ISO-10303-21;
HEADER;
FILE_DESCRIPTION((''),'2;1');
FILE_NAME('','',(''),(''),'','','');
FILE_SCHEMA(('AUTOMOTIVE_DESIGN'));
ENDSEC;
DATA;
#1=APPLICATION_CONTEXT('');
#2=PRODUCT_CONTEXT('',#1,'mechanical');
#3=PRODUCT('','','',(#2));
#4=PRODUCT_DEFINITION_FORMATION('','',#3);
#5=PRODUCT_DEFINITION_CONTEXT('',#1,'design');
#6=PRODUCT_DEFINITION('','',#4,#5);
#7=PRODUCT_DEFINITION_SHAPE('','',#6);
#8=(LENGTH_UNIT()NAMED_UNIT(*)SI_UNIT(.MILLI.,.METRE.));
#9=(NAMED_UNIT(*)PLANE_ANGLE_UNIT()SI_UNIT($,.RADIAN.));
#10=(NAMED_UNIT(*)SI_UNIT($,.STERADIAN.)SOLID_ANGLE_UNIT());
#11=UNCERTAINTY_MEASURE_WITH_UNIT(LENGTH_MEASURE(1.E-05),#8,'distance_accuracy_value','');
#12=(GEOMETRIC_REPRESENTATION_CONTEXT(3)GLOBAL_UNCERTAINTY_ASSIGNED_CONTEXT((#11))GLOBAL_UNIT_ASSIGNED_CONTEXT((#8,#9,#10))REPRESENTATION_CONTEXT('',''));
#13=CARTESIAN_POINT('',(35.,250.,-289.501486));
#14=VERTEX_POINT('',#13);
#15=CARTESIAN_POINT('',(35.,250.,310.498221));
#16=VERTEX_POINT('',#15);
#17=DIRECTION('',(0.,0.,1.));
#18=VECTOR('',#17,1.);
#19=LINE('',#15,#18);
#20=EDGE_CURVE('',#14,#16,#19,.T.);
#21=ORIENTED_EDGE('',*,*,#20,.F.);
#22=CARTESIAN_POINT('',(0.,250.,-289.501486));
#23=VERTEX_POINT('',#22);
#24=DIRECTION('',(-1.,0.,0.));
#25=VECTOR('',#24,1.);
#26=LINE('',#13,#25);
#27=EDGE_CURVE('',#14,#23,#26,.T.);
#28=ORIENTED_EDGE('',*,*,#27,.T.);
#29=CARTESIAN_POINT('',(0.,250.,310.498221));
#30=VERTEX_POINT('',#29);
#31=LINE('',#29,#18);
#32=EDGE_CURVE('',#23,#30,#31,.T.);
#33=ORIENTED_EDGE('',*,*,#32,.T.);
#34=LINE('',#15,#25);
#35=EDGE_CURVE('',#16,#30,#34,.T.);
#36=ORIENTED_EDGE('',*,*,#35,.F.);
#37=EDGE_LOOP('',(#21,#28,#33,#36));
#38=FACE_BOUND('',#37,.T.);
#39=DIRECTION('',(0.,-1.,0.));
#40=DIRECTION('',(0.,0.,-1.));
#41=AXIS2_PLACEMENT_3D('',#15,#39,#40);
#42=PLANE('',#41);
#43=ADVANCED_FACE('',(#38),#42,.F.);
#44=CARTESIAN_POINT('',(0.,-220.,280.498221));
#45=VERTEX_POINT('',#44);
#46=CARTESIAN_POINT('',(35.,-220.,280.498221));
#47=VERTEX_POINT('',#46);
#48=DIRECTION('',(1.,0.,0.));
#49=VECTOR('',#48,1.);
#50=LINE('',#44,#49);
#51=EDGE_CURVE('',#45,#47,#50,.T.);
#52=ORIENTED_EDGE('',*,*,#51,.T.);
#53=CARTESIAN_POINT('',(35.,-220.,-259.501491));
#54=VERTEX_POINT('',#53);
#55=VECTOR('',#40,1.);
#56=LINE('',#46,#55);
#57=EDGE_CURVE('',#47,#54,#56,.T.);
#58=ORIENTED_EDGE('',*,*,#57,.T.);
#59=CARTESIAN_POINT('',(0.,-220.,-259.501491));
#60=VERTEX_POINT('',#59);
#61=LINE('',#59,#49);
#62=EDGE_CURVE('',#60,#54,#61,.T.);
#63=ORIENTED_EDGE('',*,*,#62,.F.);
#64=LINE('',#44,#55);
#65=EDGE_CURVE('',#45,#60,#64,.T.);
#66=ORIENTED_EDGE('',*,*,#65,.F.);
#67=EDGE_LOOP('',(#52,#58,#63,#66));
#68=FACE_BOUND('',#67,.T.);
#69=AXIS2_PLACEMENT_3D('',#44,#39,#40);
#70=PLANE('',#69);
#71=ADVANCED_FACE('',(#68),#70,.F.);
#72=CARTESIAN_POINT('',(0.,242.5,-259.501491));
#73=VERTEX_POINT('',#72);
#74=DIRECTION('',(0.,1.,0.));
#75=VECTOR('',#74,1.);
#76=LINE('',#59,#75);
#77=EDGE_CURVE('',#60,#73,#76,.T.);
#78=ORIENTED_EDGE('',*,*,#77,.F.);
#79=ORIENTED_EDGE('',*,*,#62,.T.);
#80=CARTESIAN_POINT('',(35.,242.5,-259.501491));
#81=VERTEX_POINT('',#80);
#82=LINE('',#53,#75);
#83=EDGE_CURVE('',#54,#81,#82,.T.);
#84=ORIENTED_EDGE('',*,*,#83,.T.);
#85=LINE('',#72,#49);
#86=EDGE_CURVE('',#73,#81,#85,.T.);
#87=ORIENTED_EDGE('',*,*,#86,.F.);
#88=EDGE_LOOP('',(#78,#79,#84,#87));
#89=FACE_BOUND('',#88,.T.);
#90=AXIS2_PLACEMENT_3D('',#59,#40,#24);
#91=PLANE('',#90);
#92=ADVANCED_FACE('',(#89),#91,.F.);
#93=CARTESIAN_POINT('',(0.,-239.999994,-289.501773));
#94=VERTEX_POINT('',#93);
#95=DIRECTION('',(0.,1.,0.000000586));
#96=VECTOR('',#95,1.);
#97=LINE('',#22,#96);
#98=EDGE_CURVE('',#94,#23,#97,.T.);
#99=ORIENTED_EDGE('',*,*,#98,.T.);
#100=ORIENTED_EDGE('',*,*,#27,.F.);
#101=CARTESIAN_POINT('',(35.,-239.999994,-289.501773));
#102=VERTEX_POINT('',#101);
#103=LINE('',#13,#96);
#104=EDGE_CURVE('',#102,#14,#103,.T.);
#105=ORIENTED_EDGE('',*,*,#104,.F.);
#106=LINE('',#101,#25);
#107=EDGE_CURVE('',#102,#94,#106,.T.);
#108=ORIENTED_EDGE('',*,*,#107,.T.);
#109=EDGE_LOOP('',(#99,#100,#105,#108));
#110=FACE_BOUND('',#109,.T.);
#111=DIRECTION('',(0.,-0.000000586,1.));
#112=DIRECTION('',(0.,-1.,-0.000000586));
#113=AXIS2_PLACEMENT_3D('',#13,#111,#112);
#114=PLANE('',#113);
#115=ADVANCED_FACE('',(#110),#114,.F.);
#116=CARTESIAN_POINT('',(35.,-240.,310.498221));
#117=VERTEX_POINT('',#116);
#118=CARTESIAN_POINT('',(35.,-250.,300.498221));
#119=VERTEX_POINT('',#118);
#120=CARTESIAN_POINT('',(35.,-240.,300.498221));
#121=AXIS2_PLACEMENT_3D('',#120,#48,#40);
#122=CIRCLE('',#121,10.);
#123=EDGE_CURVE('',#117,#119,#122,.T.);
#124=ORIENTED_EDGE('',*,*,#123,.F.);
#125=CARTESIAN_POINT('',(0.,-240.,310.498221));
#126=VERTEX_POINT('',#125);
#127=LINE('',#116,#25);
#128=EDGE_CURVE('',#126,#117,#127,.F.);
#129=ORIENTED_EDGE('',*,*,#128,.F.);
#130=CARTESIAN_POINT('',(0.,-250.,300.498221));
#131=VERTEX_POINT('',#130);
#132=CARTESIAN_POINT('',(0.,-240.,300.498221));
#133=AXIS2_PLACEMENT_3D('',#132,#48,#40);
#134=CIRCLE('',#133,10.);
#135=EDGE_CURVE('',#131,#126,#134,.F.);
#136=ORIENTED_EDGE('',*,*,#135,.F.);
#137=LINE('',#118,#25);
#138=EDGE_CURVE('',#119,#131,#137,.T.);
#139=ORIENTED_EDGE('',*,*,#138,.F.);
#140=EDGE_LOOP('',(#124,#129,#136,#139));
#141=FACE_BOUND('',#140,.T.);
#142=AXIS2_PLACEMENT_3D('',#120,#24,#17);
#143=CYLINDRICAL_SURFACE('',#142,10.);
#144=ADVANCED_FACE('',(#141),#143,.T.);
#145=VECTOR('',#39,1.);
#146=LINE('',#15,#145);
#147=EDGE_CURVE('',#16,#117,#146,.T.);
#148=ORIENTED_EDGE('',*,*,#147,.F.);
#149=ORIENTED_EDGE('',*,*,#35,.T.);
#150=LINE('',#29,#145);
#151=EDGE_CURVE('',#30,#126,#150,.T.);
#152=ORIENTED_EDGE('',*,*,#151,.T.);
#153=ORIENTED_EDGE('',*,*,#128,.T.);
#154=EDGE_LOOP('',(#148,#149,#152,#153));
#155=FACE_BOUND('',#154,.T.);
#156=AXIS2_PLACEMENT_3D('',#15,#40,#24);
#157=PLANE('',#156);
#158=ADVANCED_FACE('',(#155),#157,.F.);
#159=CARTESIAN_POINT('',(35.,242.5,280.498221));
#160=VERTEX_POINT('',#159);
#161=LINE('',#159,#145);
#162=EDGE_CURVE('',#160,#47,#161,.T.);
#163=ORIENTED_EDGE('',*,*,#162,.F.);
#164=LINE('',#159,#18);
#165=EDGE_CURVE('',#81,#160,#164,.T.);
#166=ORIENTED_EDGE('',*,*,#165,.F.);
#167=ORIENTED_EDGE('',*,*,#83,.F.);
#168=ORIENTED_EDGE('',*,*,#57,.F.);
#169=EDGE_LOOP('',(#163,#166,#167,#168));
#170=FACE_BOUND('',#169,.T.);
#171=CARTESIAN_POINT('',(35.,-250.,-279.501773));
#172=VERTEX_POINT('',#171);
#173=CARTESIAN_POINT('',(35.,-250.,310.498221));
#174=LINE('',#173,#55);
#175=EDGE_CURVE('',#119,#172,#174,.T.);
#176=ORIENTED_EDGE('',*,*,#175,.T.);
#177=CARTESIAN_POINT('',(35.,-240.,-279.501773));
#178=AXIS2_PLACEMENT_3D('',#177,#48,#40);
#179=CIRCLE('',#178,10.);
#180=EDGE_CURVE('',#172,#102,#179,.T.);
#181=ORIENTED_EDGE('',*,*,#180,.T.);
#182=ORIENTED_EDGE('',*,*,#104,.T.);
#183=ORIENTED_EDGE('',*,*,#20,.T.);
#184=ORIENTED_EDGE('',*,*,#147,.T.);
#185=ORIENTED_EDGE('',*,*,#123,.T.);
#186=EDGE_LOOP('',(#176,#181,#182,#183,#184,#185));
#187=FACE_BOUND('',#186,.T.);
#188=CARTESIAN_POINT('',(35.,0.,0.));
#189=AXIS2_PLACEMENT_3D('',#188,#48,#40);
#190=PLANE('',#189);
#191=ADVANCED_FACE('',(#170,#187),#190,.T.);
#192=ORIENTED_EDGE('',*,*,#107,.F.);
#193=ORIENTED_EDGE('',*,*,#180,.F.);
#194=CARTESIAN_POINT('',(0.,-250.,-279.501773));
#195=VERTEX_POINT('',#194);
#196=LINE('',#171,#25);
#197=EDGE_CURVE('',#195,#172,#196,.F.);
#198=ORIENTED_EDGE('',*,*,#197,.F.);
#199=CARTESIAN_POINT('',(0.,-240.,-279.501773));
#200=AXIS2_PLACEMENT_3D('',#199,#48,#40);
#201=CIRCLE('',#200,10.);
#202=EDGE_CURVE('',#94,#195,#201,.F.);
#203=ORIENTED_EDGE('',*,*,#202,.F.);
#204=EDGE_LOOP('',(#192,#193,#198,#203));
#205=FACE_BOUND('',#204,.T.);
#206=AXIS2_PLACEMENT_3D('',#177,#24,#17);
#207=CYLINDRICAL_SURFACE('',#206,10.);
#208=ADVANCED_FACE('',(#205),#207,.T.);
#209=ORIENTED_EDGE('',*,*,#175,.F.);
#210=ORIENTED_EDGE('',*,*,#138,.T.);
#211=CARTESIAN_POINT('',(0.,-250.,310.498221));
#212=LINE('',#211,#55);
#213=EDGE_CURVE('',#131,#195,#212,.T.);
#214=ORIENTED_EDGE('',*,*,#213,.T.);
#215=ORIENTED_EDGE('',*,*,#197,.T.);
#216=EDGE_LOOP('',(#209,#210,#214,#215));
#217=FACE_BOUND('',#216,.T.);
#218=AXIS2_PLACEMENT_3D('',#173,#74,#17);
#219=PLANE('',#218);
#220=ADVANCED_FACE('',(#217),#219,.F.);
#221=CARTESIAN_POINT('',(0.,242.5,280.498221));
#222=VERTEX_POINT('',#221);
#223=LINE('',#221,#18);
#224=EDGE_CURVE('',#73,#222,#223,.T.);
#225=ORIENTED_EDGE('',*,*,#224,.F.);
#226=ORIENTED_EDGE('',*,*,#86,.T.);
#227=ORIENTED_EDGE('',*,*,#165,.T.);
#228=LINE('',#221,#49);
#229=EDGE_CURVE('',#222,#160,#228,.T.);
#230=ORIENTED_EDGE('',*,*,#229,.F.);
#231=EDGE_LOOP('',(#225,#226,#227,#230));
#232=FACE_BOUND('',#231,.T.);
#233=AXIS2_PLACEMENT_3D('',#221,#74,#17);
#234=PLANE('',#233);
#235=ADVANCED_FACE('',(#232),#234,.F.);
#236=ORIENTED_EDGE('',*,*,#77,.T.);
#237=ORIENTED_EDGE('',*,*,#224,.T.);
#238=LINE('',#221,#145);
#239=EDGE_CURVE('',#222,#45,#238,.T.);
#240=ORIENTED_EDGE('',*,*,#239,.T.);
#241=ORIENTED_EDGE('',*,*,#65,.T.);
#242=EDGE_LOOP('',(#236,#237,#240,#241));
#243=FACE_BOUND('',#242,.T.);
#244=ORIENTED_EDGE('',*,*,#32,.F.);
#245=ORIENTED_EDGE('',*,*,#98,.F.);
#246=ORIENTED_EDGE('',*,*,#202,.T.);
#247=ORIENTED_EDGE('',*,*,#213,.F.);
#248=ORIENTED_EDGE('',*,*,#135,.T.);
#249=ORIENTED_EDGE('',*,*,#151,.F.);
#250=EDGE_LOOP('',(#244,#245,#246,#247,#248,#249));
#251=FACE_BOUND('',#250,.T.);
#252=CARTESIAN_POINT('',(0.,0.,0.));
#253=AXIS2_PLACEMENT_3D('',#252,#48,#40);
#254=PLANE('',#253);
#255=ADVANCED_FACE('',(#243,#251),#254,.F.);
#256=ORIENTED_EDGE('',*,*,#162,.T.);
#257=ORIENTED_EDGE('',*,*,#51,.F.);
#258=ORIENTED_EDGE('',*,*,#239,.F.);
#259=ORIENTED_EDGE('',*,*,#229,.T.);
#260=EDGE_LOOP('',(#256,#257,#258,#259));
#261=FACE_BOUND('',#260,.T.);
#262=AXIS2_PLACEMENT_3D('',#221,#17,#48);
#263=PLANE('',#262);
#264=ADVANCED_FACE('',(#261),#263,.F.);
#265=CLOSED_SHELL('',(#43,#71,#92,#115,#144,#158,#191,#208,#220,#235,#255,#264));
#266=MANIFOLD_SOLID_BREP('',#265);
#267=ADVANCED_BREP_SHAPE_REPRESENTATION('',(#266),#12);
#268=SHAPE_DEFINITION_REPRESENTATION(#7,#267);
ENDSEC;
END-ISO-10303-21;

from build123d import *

# Parameters (mm, degrees)
BOSS_EXTRUDE1_DEPTH = 35
SKETCH2_W           = 539.999711362
SKETCH2_H           = 462.5
CUT_EXTRUDE1_DEPTH  = 35
FILLET1_R           = 10


with BuildPart() as part:
    # Sketch1 → Boss-Extrude1 (new body)
    with BuildSketch(Plane(origin=(0, 0, 0), x_dir=(0, 0, -1), z_dir=(1, 0, 0))):
        Polygon((-310.498220641, 250), (289.501486325, 250), (289.501779359, -250), (-310.498220641, -250), align=None)
    extrude(amount=BOSS_EXTRUDE1_DEPTH)

    # Sketch2 → Cut-Extrude1 (cut)
    with BuildSketch(Plane(origin=(35, 0, 0), x_dir=(0, 0, -1), z_dir=(1, 0, 0))):
        with Locations((-10.49836496, 11.25)):
            Rectangle(SKETCH2_W, SKETCH2_H)
    extrude(amount=-CUT_EXTRUDE1_DEPTH, mode=Mode.SUBTRACT)

    # Fillet1
    fillet1_edges = [part.edges().sort_by_distance(p)[0] for p in [
        (17.5, -250, -289.501779359),
        (17.5, -250, 310.498220641),
    ]]
    fillet(fillet1_edges, radius=FILLET1_R)


solid = part.part
